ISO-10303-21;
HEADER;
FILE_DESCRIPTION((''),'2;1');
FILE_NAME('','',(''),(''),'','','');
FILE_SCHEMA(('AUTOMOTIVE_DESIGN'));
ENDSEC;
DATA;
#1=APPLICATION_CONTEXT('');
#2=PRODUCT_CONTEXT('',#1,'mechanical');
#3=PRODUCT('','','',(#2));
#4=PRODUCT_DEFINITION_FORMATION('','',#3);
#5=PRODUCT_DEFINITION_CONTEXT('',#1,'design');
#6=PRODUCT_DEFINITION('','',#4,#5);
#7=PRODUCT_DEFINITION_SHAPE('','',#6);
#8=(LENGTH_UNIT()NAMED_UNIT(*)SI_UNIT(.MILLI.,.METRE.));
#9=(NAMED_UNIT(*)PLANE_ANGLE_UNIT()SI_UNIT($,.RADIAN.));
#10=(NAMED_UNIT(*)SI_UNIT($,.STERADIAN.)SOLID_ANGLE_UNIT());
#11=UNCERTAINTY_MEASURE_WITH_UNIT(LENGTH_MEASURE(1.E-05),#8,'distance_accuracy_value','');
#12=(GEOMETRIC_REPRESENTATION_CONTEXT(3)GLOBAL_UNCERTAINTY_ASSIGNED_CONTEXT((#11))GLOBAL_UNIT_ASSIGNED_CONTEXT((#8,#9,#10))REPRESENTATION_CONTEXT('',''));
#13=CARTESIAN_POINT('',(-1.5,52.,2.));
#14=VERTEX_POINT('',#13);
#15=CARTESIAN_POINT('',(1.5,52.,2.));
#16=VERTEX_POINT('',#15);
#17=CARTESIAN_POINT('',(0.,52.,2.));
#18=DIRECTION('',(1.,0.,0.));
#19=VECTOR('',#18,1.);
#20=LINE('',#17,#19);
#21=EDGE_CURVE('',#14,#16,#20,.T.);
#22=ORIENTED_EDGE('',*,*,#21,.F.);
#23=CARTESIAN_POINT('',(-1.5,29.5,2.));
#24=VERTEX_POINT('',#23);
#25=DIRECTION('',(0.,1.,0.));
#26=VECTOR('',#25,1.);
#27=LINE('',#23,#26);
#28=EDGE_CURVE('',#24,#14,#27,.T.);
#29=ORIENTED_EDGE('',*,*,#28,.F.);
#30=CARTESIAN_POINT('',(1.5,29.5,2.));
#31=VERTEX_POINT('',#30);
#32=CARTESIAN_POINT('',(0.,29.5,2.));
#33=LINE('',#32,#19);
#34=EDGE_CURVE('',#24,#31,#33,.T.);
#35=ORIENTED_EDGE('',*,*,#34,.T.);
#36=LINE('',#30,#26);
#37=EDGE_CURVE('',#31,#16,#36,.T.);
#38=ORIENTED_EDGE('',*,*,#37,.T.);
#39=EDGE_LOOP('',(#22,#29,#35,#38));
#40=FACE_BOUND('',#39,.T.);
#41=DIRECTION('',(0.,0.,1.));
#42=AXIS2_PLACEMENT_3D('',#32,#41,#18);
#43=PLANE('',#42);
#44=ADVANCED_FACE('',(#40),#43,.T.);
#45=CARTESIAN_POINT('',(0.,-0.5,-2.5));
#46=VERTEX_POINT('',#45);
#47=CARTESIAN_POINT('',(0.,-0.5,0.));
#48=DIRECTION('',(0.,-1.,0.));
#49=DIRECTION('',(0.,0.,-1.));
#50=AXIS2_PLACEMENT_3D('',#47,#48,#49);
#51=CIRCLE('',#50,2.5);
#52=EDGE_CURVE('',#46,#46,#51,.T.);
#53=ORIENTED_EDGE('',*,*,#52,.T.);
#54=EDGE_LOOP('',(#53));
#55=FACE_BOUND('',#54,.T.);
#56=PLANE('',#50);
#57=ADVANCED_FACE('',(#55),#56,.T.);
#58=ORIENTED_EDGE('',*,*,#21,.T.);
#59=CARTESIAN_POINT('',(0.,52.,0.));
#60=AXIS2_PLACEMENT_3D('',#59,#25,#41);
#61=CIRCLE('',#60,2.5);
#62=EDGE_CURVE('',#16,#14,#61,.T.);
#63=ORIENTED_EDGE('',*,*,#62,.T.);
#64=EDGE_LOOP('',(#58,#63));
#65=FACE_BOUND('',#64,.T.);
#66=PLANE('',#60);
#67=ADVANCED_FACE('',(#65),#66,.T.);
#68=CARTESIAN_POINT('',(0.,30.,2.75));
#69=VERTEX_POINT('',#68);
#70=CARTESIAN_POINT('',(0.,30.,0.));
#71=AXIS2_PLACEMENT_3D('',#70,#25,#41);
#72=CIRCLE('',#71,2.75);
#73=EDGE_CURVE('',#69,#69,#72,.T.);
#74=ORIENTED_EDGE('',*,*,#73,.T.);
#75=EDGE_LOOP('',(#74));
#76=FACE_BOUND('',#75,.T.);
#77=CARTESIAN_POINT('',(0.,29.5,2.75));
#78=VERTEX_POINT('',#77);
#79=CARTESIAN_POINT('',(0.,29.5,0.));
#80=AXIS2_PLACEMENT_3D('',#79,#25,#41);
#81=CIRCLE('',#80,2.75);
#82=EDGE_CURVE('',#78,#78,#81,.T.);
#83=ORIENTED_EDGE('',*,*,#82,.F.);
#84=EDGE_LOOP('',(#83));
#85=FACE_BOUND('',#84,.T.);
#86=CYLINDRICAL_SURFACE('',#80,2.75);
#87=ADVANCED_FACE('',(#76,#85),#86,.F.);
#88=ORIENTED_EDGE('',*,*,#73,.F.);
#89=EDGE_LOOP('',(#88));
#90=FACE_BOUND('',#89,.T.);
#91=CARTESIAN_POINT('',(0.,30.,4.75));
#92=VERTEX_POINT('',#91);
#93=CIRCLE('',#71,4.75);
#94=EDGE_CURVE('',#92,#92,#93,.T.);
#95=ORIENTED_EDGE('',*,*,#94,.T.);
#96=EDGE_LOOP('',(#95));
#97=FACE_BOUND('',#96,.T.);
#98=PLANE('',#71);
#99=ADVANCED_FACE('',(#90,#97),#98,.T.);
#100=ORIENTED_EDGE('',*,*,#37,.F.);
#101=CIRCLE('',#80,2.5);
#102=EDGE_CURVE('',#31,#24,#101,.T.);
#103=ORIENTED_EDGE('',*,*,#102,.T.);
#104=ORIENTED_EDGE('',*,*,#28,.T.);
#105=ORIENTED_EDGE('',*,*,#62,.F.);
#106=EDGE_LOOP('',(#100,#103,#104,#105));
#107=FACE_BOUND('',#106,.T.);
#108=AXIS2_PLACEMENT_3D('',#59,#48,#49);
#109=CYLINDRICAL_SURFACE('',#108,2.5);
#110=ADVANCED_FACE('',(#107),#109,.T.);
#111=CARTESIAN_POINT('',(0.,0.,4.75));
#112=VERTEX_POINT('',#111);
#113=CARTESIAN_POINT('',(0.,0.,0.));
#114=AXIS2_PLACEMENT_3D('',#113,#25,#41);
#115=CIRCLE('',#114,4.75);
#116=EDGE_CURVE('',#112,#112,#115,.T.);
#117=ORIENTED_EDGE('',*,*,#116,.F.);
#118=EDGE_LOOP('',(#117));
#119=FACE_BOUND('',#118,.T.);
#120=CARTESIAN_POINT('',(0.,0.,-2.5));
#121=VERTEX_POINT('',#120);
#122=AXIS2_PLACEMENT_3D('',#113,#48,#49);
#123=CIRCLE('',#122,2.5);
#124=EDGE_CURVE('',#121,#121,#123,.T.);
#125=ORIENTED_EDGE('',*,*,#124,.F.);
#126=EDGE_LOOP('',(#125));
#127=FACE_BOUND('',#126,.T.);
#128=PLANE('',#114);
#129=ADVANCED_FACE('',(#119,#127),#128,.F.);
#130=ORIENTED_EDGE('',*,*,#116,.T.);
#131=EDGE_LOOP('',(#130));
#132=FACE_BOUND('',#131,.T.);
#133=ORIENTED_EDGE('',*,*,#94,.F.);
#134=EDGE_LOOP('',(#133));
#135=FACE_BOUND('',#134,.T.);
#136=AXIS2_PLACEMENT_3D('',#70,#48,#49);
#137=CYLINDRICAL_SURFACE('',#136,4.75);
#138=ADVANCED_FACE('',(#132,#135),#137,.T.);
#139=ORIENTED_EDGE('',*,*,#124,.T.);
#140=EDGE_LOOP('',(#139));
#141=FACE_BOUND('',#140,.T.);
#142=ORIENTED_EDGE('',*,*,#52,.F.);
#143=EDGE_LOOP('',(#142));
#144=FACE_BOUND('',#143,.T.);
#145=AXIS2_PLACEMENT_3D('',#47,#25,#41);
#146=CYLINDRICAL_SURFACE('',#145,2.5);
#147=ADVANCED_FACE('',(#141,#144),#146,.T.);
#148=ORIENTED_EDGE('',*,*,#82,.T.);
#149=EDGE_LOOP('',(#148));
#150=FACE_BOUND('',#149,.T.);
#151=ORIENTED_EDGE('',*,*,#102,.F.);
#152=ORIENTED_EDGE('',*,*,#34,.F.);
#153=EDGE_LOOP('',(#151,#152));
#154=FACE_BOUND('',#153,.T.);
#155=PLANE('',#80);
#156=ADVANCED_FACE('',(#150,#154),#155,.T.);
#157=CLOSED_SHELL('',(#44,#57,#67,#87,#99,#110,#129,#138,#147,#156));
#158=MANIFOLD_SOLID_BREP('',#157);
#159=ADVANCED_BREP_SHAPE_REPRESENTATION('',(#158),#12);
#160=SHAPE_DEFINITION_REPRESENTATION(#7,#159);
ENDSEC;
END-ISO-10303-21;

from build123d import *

# Parameters (mm, degrees)
SKETCH_1_R          = 4.75
EXTRUDE_1_DEPTH     = 30
SKETCH_2_R          = 2.75
CUT_EXTRUDE_1_DEPTH = 0.5
SKETCH_3_R          = 2.5
EXTRUDE_2_DEPTH     = 22.5
EXTRUDE_START       = 0.5
SKETCH_4_R          = 2.5
EXTRUDE_3_DEPTH     = 0.5
CUT_EXTRUDE_START   = -22.5
CUT_EXTRUDE_2_DEPTH = 22.5


with BuildPart() as part:
    # 草图1 → 凸台-拉伸1 (new body)
    with BuildSketch(Plane(origin=(0, 0, 0), x_dir=(1, 0, 0), z_dir=(0, 1, 0))):
        with Locations(Location((0, 0, 0), (0, 0, 270))):
            Circle(SKETCH_1_R)
    extrude(amount=EXTRUDE_1_DEPTH)

    # 草图2 → 切除-拉伸1 (cut)
    with BuildSketch(Plane(origin=(0, 30, 0), x_dir=(1, 0, 0), z_dir=(0, 1, 0))):
        with Locations(Location((0, 0, 0), (0, 0, 270))):
            Circle(SKETCH_2_R)
    extrude(amount=-CUT_EXTRUDE_1_DEPTH, mode=Mode.SUBTRACT)

    # 草图3 → 凸台-拉伸2 (add)
    with BuildSketch(Plane(origin=(0, 29.5, 0), x_dir=(1, 0, 0), z_dir=(0, 1, 0))):
        with Locations(Location((0, 0, 0), (0, 0, 90))):
            Circle(SKETCH_3_R)
    extrude(amount=EXTRUDE_2_DEPTH)

    # 草图4 → 凸台-拉伸3 (add)
    with BuildSketch(Plane.XZ.offset(EXTRUDE_START)):
        with Locations(Location((0, 0, 0), (0, 0, 270))):
            Circle(SKETCH_4_R)
    extrude(amount=-EXTRUDE_3_DEPTH)

    # 草图5 → 切除-拉伸2 (cut)
    with BuildSketch(Plane(origin=(0, 52, 0), x_dir=(1, 0, 0), z_dir=(0, 1, 0)).offset(CUT_EXTRUDE_START)):
        with BuildLine():
            Line((1.5, -2), (-1.5, -2))
            ThreePointArc((-1.5, -2), (0, -2.5), (1.5, -2))
        make_face()
    extrude(amount=CUT_EXTRUDE_2_DEPTH, mode=Mode.SUBTRACT)


solid = part.part
